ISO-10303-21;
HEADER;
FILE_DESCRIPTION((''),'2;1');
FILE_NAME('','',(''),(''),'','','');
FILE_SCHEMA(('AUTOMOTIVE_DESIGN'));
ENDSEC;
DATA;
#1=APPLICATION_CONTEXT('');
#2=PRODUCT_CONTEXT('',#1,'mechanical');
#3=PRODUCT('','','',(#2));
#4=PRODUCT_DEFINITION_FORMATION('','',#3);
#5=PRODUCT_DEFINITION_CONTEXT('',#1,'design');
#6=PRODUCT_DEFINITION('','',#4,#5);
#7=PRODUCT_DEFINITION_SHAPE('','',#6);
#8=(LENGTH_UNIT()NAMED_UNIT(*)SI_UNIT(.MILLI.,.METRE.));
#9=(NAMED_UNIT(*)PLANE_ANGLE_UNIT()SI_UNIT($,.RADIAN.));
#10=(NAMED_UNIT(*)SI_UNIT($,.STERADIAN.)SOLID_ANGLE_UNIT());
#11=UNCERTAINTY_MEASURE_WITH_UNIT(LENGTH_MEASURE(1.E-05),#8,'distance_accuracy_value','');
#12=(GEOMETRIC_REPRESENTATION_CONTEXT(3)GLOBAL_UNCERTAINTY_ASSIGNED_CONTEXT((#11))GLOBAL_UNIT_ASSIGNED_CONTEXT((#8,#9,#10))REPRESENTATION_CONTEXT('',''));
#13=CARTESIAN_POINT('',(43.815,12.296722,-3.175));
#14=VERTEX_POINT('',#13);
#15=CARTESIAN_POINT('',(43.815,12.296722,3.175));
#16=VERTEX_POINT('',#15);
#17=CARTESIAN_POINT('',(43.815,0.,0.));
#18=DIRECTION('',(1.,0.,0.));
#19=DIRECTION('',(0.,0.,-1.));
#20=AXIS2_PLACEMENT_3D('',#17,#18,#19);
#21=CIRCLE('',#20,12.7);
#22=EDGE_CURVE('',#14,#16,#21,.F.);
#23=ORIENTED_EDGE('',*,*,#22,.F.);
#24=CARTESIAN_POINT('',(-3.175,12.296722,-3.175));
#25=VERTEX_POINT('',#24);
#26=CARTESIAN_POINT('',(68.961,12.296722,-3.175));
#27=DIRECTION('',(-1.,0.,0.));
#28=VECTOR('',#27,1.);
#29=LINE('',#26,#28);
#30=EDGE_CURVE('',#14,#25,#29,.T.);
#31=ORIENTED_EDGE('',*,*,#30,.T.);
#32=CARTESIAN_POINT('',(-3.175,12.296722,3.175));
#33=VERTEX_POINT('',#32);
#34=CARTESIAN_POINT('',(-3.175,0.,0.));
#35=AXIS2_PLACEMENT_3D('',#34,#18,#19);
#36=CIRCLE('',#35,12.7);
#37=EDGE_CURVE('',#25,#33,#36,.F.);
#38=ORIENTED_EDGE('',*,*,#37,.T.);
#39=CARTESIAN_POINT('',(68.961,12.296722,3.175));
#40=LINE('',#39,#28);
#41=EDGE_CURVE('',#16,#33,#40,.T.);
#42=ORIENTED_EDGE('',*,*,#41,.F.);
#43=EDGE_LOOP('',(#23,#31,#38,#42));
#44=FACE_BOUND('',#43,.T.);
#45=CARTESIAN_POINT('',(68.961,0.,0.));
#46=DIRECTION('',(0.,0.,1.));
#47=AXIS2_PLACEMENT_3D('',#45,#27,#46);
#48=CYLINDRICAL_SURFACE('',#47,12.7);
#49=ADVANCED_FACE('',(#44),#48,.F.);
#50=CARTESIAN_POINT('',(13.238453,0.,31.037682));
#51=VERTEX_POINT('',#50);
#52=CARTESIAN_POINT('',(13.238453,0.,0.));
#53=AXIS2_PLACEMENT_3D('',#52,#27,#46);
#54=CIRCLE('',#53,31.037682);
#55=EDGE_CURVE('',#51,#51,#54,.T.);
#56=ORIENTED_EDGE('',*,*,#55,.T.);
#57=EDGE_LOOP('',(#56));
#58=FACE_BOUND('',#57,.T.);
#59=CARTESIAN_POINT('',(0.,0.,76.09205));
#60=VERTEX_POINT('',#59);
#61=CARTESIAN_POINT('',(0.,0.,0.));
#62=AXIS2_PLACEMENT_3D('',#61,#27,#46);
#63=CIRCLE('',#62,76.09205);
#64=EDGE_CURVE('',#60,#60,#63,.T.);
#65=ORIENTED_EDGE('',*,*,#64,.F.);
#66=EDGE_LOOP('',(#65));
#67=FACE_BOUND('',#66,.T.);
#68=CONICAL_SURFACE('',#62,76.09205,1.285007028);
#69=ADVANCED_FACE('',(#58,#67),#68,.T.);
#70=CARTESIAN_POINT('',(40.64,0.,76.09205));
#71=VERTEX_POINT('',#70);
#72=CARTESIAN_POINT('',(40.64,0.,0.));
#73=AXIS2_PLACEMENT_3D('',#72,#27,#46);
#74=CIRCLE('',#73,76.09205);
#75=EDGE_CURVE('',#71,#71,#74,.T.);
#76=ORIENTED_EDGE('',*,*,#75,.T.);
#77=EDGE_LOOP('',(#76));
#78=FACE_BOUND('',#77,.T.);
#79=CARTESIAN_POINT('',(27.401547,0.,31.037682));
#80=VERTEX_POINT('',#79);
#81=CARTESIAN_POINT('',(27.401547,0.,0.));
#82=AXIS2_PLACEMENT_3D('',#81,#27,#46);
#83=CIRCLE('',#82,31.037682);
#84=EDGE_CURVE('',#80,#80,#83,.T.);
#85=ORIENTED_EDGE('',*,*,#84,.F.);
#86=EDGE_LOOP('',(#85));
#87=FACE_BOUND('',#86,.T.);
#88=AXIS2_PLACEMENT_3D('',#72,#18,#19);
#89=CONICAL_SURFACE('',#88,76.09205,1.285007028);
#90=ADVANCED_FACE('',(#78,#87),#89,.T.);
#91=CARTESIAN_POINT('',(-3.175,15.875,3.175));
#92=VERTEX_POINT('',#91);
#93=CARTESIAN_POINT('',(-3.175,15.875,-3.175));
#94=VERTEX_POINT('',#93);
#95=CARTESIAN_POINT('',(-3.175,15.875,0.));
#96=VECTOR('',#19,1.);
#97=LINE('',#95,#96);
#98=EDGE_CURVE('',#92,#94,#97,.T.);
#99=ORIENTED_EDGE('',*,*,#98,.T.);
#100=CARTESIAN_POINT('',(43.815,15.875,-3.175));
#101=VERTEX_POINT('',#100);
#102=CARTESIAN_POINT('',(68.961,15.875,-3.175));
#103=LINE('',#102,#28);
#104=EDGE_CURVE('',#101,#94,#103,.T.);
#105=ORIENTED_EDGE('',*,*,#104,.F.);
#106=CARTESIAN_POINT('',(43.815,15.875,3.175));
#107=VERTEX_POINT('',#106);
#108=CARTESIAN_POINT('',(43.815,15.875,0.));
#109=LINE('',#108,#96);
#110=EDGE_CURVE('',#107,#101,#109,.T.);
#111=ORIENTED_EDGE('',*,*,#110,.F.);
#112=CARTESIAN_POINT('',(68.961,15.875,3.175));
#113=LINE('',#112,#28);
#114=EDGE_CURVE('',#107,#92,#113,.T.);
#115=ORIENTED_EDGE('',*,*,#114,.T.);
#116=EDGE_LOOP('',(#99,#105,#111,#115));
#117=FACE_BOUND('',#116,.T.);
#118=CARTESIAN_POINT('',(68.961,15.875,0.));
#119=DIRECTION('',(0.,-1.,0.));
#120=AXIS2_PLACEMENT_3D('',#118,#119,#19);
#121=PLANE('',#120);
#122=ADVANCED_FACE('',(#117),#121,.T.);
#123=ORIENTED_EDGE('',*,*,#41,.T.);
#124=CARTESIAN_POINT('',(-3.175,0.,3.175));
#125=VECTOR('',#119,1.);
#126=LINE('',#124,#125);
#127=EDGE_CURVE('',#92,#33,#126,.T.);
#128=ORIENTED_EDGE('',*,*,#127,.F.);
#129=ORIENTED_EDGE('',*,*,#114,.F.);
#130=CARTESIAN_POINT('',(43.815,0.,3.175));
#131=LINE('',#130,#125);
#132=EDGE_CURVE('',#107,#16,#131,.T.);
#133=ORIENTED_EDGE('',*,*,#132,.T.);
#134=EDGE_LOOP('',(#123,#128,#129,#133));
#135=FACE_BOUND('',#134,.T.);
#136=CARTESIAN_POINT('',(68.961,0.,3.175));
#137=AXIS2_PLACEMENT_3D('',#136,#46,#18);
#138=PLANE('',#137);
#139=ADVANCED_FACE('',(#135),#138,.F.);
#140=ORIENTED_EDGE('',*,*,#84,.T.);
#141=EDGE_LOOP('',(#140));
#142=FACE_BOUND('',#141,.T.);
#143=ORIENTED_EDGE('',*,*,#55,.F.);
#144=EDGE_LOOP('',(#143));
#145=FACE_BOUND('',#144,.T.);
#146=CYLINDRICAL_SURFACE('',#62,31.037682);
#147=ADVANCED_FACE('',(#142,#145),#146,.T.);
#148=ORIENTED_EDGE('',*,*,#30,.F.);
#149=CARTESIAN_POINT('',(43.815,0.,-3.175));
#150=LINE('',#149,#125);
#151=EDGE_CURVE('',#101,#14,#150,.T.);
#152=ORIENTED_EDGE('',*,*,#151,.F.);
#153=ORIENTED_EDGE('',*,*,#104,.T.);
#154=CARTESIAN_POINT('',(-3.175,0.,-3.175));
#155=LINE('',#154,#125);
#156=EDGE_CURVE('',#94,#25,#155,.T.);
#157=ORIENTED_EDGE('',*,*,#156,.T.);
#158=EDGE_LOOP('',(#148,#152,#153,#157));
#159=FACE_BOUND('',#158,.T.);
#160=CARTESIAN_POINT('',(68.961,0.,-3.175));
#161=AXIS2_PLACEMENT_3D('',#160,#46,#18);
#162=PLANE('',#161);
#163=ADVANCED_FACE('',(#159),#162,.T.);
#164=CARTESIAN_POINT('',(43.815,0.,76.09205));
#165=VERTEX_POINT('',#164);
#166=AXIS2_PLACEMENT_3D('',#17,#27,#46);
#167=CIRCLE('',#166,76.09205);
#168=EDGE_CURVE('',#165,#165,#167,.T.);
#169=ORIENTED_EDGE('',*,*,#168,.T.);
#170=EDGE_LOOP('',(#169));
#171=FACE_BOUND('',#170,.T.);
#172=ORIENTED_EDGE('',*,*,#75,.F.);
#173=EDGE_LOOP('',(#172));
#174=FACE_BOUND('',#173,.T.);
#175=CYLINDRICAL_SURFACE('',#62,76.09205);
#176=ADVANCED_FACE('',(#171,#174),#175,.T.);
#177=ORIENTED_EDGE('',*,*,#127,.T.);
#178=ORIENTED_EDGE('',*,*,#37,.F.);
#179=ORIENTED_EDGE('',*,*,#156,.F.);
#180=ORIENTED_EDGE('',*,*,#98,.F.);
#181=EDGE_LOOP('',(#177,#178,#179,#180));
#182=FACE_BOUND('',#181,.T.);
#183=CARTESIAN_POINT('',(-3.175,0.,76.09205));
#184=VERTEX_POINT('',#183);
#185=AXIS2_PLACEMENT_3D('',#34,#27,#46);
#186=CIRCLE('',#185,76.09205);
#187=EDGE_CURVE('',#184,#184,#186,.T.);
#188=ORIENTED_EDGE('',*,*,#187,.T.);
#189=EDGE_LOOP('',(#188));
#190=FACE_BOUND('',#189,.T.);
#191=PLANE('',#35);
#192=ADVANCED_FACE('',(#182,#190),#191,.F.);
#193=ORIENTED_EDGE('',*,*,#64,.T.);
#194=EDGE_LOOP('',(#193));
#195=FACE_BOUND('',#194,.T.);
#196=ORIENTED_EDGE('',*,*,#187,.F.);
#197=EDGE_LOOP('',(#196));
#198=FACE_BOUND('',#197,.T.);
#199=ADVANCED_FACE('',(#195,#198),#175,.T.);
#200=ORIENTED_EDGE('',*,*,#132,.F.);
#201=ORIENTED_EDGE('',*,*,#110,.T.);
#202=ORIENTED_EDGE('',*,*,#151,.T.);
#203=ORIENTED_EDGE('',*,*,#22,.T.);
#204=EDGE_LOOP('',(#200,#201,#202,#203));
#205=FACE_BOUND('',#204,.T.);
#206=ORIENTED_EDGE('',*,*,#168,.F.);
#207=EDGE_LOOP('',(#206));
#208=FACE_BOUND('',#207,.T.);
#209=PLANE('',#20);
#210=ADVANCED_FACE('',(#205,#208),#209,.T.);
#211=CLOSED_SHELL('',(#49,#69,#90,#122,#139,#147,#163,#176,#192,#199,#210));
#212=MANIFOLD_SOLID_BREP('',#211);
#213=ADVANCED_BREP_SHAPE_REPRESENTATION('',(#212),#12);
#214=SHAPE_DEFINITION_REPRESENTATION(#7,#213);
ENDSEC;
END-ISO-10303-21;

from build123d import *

# Parameters (mm, degrees)
SKETCH1_W               = 3.175
SKETCH1_H               = 69.74205
CUT_EXTRUDE1_DEPTH      = 25.146
CUT_EXTRUDE1_DEPTH_BACK = 108.204
SKETCH2_R               = 6.35


with BuildPart() as part:
    # Sketch1 → Revolve1 (revolve)
    with BuildSketch(Plane.XY, mode=Mode.PRIVATE) as revolve1_sk:
        Polygon((13.238453462, 31.037681507), (0, 76.09205), (0, 6.35), (22.013333333, 6.35), (40.64, 6.35), (40.64, 76.09205), (27.401546538, 31.037681507), align=None)
        with Locations((-1.5875, 41.221025)):
            Rectangle(SKETCH1_W, SKETCH1_H)
        with Locations((42.2275, 41.221025)):
            Rectangle(SKETCH1_W, SKETCH1_H)
    revolve(revolve1_sk.sketch.rotate(Axis((0, 0, 0), (1, 0, 0)), 90), axis=Axis((0, 0, 0), (1, 0, 0)))

    # Sketch2 → Cut-Extrude1 (cut, two sides: drawn at the far end of the back side and taken through both)
    # profile 1 of 4: a face of its own
    with BuildSketch(Plane(origin=(43.815, 0, 0), x_dir=(0, 0, -1), z_dir=(1, 0, 0)).offset(-CUT_EXTRUDE1_DEPTH_BACK)):
        with BuildLine():
            Line((3.175, 12.296722124), (3.175, 9.525))
            Line((3.175, 9.525), (-3.175, 9.525))
            Line((-3.175, 9.525), (-3.175, 12.296722124))
            ThreePointArc((-3.175, 12.296722124), (-7.777129933, -10.040231571), (12.7, 0))
            ThreePointArc((12.7, 0), (10.040231571, 7.777129933), (3.175, 12.296722124))
        make_face()
        Circle(SKETCH2_R, mode=Mode.SUBTRACT)
    # profile 2 of 4: a face of its own
    with BuildSketch(Plane(origin=(43.815, 0, 0), x_dir=(0, 0, -1), z_dir=(1, 0, 0)).offset(-CUT_EXTRUDE1_DEPTH_BACK)):
        with BuildLine():
            Line((-3.175, 9.525), (3.175, 9.525))
            Line((3.175, 9.525), (3.175, 12.296722124))
            ThreePointArc((3.175, 12.296722124), (0, 12.7), (-3.175, 12.296722124))
            Line((-3.175, 12.296722124), (-3.175, 9.525))
        make_face()
    # profile 3 of 4: a face of its own
    with BuildSketch(Plane(origin=(43.815, 0, 0), x_dir=(0, 0, -1), z_dir=(1, 0, 0)).offset(-CUT_EXTRUDE1_DEPTH_BACK)):
        with BuildLine():
            ThreePointArc((-3.175, 12.296722124), (0, 12.7), (3.175, 12.296722124))
            Line((3.175, 12.296722124), (3.175, 15.875))
            Line((3.175, 15.875), (-3.175, 15.875))
            Line((-3.175, 15.875), (-3.175, 12.296722124))
        make_face()
    # profile 4 of 4: a face of its own
    with BuildSketch(Plane(origin=(43.815, 0, 0), x_dir=(0, 0, -1), z_dir=(1, 0, 0)).offset(-CUT_EXTRUDE1_DEPTH_BACK)):
        with BuildLine():
            Line((-3.175, 9.525), (3.175, 9.525))
            Line((3.175, 9.525), (3.175, 12.296722124))
            ThreePointArc((3.175, 12.296722124), (0, 12.7), (-3.175, 12.296722124))
            Line((-3.175, 12.296722124), (-3.175, 9.525))
        make_face()
    extrude(amount=CUT_EXTRUDE1_DEPTH + CUT_EXTRUDE1_DEPTH_BACK, mode=Mode.SUBTRACT)


solid = part.part
